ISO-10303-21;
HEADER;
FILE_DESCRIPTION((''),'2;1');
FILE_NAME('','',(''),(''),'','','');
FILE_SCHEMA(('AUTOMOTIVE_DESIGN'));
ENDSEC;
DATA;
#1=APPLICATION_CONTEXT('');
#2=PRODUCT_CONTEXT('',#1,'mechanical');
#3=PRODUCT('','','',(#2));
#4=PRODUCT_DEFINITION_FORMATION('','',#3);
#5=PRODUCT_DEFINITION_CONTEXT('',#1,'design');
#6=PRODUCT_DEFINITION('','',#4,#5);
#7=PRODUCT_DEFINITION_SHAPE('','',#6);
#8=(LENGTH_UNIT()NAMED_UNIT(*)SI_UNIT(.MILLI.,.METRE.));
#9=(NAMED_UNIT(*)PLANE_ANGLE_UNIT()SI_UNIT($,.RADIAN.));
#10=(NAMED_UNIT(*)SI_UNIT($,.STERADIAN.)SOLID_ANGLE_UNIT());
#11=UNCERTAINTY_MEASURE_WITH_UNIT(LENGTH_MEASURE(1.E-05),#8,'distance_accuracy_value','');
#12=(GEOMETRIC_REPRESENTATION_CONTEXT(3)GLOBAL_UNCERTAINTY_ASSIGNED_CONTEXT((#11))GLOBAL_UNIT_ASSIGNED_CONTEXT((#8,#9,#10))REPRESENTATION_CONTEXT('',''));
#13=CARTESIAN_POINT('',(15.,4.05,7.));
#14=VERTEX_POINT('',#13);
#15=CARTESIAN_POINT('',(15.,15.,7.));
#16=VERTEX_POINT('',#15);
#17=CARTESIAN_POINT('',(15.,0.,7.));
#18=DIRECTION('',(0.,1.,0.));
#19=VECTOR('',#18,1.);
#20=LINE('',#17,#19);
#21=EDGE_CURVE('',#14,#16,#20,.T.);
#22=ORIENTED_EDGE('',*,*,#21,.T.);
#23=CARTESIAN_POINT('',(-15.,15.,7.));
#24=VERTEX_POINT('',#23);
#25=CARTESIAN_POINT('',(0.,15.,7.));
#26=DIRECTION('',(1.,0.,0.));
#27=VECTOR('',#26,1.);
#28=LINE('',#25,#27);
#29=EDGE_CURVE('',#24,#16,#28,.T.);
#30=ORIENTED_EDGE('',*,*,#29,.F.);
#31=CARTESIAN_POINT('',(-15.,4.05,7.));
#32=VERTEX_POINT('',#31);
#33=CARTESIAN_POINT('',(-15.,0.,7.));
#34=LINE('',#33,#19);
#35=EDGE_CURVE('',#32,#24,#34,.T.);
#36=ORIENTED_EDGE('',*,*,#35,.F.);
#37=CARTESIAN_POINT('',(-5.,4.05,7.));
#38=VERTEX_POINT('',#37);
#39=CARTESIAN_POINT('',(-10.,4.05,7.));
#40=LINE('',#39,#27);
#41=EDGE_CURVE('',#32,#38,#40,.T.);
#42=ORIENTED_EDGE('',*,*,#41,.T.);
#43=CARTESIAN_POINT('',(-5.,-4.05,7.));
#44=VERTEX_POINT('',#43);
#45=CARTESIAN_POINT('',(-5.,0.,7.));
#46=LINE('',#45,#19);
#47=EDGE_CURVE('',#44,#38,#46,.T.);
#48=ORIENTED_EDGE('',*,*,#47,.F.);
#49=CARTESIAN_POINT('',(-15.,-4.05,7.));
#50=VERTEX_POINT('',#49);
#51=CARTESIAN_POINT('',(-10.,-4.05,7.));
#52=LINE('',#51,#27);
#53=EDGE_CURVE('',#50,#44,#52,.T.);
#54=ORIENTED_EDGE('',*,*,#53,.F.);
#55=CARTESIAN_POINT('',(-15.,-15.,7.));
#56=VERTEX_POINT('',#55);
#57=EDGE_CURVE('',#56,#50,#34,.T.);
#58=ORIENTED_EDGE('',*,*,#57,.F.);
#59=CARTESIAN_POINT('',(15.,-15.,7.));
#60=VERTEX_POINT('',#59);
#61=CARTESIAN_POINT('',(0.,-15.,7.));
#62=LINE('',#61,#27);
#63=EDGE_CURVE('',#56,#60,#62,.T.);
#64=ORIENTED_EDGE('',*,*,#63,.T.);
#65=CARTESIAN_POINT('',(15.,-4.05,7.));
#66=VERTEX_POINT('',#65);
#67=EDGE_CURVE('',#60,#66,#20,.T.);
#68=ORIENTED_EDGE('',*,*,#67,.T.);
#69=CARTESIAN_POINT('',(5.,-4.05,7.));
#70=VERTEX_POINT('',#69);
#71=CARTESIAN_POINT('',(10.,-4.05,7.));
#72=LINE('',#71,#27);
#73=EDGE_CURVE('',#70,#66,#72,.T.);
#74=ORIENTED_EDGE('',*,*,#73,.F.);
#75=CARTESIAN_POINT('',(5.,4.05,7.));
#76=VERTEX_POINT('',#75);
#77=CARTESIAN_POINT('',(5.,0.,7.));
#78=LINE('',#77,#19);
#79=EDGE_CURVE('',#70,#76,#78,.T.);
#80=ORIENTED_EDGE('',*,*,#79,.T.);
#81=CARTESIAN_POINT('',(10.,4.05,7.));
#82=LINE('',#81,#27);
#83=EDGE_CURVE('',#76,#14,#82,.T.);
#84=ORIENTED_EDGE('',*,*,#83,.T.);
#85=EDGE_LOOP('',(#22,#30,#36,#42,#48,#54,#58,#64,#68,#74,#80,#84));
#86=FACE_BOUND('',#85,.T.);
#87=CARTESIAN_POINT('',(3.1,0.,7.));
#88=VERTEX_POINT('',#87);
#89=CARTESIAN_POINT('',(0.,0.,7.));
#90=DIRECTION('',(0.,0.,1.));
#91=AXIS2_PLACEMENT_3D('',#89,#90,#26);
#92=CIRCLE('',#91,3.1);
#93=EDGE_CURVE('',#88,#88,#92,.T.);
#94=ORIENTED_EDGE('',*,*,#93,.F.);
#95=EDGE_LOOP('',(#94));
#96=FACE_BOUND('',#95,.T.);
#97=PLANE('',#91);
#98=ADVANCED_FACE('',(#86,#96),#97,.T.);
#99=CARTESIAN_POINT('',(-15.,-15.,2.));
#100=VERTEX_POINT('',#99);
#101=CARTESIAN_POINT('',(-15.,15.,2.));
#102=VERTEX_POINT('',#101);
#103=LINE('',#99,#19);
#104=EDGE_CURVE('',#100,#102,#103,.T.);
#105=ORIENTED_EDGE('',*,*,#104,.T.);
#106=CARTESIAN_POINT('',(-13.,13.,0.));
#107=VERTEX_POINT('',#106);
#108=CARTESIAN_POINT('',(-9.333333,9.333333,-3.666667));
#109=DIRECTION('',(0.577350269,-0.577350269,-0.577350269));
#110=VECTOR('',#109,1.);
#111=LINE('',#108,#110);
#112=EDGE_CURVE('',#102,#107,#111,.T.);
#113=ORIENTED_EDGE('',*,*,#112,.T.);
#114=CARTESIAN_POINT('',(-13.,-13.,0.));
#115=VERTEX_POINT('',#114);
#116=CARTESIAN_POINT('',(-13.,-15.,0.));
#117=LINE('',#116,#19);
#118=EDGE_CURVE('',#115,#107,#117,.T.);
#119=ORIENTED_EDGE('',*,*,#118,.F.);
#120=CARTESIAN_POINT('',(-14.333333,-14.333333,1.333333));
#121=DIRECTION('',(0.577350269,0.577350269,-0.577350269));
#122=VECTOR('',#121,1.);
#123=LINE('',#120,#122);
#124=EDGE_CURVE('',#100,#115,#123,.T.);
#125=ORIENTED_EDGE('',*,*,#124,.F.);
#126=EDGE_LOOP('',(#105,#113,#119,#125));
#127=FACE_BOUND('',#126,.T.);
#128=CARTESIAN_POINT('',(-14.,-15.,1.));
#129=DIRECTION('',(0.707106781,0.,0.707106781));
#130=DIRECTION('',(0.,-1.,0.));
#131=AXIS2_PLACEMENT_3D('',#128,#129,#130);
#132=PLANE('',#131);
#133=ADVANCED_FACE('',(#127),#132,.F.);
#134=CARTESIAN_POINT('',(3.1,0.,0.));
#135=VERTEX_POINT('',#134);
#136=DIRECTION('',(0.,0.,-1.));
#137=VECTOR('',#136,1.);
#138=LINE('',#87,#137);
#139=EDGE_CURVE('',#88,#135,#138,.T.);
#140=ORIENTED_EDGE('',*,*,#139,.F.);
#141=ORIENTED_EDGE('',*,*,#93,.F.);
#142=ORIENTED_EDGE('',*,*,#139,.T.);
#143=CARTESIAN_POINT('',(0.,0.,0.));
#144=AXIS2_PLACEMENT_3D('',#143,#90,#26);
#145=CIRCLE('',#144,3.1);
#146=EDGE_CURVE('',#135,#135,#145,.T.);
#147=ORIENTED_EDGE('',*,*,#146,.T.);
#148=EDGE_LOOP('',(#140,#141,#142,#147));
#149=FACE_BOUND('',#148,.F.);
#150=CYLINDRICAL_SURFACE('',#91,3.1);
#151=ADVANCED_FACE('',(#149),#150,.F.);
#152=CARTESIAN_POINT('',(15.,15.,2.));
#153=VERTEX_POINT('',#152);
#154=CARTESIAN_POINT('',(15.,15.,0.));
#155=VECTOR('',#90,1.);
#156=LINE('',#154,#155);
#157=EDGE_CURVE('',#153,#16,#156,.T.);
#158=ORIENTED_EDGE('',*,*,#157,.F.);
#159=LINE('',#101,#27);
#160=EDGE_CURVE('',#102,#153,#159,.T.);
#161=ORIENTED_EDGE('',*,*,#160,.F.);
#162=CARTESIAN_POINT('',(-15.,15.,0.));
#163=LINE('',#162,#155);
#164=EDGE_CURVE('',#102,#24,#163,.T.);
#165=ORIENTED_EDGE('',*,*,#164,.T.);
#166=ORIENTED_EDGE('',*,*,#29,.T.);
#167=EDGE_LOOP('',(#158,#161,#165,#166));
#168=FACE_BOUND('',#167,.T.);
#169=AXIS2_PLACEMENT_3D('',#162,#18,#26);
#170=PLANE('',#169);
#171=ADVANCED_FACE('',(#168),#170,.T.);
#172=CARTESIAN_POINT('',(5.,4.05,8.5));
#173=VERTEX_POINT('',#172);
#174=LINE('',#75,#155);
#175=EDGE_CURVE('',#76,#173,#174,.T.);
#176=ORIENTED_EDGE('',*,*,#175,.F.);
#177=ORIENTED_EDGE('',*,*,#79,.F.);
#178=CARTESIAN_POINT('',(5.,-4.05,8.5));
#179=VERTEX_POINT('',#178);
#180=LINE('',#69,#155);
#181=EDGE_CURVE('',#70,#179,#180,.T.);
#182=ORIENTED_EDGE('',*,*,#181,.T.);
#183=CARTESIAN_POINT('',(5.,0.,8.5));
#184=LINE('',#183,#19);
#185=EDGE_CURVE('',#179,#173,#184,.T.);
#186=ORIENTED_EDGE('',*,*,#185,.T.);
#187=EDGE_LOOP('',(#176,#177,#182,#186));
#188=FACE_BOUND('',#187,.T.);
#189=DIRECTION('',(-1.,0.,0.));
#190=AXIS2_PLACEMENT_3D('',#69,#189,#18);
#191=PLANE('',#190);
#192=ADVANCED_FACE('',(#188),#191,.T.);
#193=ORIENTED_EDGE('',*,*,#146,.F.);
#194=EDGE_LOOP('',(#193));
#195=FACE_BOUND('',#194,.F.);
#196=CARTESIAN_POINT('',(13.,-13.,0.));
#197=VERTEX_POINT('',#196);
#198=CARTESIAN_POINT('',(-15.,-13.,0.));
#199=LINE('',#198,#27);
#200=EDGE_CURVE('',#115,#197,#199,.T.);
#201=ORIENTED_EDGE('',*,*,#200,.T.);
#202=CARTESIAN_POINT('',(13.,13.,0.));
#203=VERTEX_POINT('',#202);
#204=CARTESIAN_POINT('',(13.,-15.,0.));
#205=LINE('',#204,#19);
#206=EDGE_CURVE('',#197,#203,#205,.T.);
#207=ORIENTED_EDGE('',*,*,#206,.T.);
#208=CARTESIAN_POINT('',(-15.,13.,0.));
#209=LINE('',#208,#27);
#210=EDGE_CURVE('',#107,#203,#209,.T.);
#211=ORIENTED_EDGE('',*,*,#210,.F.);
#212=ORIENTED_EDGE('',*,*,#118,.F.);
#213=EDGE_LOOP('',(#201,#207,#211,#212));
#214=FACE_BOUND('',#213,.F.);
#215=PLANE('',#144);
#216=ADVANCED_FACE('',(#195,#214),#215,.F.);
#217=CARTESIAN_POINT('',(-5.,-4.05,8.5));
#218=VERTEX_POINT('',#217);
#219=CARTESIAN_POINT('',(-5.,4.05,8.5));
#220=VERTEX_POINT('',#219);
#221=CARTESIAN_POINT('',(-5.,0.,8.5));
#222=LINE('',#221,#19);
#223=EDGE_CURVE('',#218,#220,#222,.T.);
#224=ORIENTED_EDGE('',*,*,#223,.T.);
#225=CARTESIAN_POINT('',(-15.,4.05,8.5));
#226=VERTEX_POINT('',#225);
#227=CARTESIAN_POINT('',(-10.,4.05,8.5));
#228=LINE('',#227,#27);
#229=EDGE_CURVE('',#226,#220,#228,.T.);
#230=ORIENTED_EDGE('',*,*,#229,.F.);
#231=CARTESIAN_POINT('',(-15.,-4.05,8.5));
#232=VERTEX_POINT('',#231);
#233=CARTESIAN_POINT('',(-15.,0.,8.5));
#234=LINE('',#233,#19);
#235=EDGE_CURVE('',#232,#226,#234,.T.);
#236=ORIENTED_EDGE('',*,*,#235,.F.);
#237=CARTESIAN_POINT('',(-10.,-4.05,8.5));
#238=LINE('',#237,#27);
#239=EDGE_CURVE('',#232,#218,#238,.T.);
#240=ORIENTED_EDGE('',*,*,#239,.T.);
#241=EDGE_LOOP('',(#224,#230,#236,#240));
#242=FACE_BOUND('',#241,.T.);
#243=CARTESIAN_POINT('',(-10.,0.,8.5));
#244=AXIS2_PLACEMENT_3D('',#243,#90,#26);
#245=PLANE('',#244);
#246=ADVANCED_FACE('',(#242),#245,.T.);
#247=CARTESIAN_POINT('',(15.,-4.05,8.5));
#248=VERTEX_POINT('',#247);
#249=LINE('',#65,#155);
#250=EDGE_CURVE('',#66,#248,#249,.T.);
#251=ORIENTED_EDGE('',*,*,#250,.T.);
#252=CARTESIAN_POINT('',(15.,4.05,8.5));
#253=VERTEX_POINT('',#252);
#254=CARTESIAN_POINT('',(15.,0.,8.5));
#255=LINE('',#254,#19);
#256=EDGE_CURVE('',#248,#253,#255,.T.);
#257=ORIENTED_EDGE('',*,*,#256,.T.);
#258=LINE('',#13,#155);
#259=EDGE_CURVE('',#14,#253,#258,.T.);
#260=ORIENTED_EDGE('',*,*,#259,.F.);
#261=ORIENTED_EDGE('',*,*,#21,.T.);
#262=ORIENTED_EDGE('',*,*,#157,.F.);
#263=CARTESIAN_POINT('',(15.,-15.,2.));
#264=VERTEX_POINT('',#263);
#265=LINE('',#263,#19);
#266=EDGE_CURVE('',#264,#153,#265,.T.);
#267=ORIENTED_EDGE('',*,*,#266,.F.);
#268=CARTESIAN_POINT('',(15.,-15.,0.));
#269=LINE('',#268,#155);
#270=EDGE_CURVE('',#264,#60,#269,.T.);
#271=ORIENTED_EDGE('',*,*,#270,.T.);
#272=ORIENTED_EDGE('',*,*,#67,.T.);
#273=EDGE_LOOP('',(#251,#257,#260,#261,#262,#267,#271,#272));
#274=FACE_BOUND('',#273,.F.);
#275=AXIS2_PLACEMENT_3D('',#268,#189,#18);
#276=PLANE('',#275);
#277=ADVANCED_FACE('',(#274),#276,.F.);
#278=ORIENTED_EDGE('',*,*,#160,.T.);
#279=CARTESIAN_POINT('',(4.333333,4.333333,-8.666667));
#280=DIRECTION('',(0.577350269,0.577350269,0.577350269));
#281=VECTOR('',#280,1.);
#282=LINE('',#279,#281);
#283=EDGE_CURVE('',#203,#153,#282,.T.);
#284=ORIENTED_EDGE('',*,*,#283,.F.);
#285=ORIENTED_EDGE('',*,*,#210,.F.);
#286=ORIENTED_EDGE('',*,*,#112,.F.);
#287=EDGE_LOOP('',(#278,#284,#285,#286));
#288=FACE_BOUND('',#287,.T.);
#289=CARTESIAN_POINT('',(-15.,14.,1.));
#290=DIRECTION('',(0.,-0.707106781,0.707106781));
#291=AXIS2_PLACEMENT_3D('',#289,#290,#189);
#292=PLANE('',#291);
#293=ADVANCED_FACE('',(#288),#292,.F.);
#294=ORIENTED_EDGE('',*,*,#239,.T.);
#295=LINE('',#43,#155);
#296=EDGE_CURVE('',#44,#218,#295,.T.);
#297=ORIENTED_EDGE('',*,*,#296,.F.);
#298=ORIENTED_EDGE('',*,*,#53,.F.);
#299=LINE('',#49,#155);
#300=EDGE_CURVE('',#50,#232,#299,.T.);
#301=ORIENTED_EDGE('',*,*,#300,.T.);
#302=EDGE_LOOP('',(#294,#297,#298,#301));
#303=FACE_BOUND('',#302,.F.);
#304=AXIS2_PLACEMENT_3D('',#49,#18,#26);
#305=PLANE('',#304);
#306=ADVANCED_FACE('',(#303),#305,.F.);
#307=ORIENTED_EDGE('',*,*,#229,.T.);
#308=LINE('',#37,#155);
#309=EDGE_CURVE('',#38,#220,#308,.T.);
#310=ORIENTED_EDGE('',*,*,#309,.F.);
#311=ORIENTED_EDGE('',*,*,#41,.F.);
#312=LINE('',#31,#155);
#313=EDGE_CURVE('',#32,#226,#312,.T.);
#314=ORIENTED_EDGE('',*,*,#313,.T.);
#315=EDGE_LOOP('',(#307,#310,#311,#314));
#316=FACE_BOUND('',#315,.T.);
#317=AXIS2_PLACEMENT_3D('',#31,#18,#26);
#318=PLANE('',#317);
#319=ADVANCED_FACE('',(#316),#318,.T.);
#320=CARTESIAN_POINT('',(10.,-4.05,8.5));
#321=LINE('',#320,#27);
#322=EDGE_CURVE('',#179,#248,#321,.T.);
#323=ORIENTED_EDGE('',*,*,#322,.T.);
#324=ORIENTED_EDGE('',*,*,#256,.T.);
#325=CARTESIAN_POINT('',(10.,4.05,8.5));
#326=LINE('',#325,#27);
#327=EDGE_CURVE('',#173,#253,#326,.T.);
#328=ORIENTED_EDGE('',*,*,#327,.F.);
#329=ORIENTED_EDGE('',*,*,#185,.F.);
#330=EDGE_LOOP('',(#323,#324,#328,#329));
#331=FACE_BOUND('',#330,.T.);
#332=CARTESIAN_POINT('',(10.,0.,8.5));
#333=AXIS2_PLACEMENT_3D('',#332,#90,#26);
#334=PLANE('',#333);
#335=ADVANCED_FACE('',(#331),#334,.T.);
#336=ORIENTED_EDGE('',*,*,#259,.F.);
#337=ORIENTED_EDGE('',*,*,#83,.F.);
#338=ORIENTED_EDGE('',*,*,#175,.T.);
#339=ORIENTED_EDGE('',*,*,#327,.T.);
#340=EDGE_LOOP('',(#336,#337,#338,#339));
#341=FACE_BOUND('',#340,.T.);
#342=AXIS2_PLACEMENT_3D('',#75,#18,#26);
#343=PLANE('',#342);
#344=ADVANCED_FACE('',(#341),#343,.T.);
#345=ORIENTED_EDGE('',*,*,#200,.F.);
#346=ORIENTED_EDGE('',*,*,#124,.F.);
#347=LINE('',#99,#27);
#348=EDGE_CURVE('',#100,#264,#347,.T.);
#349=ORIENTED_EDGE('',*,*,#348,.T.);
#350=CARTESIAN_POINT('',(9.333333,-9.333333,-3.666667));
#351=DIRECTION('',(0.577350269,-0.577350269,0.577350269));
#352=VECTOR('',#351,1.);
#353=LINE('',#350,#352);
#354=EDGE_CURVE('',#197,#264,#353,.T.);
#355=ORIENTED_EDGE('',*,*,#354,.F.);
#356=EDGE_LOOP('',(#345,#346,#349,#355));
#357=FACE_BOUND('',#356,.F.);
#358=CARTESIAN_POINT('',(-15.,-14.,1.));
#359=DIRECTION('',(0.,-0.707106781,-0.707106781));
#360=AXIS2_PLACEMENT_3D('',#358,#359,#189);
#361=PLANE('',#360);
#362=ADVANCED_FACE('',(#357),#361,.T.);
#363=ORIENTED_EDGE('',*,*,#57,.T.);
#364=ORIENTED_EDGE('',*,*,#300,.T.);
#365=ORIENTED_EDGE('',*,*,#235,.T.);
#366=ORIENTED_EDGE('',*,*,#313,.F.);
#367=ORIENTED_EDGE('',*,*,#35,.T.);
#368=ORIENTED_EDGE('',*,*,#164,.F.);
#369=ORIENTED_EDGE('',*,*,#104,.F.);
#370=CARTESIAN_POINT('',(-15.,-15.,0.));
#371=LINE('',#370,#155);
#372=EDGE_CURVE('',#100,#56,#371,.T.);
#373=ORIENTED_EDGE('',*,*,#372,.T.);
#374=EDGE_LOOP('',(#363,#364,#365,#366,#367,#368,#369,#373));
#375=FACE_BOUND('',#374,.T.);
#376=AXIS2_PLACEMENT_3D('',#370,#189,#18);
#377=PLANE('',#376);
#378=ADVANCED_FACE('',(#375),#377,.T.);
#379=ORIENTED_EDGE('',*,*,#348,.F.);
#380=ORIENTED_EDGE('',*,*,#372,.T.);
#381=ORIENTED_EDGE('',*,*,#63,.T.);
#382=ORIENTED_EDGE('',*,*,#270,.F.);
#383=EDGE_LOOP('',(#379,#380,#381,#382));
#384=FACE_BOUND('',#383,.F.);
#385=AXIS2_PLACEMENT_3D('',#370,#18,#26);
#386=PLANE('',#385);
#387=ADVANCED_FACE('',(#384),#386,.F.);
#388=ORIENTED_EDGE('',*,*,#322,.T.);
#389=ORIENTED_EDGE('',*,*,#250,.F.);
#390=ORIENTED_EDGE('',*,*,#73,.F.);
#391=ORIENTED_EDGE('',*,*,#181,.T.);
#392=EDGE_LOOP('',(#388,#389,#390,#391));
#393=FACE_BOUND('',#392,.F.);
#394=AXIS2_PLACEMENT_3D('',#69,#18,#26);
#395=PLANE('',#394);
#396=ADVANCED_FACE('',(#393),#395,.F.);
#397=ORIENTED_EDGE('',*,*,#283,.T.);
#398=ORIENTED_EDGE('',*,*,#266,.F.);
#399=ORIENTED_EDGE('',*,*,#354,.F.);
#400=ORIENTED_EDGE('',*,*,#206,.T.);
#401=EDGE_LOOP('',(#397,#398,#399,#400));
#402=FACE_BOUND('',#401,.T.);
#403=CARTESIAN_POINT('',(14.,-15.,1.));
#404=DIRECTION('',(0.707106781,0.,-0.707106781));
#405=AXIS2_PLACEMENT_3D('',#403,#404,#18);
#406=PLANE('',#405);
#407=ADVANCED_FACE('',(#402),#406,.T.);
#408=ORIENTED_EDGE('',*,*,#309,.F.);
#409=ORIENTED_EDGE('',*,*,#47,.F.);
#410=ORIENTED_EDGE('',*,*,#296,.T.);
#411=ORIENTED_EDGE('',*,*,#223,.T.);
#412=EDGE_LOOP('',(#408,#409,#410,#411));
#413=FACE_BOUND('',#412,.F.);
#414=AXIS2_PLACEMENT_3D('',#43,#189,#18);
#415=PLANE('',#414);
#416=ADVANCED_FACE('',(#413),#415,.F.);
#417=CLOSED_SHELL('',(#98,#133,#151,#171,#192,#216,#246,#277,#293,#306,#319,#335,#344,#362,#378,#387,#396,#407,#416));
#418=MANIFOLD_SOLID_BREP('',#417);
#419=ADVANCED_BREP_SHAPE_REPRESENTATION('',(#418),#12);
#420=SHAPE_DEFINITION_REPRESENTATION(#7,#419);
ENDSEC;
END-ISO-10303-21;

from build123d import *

# Parameters (mm, degrees)
SKETCH_W     = 30
SKETCH_H     = 30
PAD_DEPTH    = 7
SKETCH001_W  = 10
SKETCH001_H  = 8.1
PAD001_DEPTH = 1.5
SKETCH002_R  = 3.1
POCKET_DEPTH = 7.001
CHAMFER_SIZE = 2


with BuildPart() as part:
    # Sketch → Pad (new body)
    with BuildSketch(Plane.XY):
        Rectangle(SKETCH_W, SKETCH_H)
    extrude(amount=PAD_DEPTH)

    # Sketch001 (on Face6 of Pad) → Pad001 (join)
    with BuildSketch(Plane.XY.offset(7)):
        with Locations((-10, 0)):
            Rectangle(SKETCH001_W, SKETCH001_H)
        with Locations((10, 0)):
            Rectangle(SKETCH001_W, SKETCH001_H)
    extrude(amount=PAD001_DEPTH)

    # Sketch002 (on Face5 of Pad001) → Pocket (cut, through all)
    with BuildSketch(Plane.XY.offset(7)):
        Circle(SKETCH002_R)
    extrude(amount=-POCKET_DEPTH, mode=Mode.SUBTRACT)

    # Chamfer
    chamfer_edges = [part.edges().sort_by_distance(p)[0] for p in [
        (15, 0, 0),
        (0, -15, 0),
        (-15, 0, 0),
        (0, 15, 0),
    ]]
    chamfer(chamfer_edges, length=CHAMFER_SIZE)


solid = part.part
